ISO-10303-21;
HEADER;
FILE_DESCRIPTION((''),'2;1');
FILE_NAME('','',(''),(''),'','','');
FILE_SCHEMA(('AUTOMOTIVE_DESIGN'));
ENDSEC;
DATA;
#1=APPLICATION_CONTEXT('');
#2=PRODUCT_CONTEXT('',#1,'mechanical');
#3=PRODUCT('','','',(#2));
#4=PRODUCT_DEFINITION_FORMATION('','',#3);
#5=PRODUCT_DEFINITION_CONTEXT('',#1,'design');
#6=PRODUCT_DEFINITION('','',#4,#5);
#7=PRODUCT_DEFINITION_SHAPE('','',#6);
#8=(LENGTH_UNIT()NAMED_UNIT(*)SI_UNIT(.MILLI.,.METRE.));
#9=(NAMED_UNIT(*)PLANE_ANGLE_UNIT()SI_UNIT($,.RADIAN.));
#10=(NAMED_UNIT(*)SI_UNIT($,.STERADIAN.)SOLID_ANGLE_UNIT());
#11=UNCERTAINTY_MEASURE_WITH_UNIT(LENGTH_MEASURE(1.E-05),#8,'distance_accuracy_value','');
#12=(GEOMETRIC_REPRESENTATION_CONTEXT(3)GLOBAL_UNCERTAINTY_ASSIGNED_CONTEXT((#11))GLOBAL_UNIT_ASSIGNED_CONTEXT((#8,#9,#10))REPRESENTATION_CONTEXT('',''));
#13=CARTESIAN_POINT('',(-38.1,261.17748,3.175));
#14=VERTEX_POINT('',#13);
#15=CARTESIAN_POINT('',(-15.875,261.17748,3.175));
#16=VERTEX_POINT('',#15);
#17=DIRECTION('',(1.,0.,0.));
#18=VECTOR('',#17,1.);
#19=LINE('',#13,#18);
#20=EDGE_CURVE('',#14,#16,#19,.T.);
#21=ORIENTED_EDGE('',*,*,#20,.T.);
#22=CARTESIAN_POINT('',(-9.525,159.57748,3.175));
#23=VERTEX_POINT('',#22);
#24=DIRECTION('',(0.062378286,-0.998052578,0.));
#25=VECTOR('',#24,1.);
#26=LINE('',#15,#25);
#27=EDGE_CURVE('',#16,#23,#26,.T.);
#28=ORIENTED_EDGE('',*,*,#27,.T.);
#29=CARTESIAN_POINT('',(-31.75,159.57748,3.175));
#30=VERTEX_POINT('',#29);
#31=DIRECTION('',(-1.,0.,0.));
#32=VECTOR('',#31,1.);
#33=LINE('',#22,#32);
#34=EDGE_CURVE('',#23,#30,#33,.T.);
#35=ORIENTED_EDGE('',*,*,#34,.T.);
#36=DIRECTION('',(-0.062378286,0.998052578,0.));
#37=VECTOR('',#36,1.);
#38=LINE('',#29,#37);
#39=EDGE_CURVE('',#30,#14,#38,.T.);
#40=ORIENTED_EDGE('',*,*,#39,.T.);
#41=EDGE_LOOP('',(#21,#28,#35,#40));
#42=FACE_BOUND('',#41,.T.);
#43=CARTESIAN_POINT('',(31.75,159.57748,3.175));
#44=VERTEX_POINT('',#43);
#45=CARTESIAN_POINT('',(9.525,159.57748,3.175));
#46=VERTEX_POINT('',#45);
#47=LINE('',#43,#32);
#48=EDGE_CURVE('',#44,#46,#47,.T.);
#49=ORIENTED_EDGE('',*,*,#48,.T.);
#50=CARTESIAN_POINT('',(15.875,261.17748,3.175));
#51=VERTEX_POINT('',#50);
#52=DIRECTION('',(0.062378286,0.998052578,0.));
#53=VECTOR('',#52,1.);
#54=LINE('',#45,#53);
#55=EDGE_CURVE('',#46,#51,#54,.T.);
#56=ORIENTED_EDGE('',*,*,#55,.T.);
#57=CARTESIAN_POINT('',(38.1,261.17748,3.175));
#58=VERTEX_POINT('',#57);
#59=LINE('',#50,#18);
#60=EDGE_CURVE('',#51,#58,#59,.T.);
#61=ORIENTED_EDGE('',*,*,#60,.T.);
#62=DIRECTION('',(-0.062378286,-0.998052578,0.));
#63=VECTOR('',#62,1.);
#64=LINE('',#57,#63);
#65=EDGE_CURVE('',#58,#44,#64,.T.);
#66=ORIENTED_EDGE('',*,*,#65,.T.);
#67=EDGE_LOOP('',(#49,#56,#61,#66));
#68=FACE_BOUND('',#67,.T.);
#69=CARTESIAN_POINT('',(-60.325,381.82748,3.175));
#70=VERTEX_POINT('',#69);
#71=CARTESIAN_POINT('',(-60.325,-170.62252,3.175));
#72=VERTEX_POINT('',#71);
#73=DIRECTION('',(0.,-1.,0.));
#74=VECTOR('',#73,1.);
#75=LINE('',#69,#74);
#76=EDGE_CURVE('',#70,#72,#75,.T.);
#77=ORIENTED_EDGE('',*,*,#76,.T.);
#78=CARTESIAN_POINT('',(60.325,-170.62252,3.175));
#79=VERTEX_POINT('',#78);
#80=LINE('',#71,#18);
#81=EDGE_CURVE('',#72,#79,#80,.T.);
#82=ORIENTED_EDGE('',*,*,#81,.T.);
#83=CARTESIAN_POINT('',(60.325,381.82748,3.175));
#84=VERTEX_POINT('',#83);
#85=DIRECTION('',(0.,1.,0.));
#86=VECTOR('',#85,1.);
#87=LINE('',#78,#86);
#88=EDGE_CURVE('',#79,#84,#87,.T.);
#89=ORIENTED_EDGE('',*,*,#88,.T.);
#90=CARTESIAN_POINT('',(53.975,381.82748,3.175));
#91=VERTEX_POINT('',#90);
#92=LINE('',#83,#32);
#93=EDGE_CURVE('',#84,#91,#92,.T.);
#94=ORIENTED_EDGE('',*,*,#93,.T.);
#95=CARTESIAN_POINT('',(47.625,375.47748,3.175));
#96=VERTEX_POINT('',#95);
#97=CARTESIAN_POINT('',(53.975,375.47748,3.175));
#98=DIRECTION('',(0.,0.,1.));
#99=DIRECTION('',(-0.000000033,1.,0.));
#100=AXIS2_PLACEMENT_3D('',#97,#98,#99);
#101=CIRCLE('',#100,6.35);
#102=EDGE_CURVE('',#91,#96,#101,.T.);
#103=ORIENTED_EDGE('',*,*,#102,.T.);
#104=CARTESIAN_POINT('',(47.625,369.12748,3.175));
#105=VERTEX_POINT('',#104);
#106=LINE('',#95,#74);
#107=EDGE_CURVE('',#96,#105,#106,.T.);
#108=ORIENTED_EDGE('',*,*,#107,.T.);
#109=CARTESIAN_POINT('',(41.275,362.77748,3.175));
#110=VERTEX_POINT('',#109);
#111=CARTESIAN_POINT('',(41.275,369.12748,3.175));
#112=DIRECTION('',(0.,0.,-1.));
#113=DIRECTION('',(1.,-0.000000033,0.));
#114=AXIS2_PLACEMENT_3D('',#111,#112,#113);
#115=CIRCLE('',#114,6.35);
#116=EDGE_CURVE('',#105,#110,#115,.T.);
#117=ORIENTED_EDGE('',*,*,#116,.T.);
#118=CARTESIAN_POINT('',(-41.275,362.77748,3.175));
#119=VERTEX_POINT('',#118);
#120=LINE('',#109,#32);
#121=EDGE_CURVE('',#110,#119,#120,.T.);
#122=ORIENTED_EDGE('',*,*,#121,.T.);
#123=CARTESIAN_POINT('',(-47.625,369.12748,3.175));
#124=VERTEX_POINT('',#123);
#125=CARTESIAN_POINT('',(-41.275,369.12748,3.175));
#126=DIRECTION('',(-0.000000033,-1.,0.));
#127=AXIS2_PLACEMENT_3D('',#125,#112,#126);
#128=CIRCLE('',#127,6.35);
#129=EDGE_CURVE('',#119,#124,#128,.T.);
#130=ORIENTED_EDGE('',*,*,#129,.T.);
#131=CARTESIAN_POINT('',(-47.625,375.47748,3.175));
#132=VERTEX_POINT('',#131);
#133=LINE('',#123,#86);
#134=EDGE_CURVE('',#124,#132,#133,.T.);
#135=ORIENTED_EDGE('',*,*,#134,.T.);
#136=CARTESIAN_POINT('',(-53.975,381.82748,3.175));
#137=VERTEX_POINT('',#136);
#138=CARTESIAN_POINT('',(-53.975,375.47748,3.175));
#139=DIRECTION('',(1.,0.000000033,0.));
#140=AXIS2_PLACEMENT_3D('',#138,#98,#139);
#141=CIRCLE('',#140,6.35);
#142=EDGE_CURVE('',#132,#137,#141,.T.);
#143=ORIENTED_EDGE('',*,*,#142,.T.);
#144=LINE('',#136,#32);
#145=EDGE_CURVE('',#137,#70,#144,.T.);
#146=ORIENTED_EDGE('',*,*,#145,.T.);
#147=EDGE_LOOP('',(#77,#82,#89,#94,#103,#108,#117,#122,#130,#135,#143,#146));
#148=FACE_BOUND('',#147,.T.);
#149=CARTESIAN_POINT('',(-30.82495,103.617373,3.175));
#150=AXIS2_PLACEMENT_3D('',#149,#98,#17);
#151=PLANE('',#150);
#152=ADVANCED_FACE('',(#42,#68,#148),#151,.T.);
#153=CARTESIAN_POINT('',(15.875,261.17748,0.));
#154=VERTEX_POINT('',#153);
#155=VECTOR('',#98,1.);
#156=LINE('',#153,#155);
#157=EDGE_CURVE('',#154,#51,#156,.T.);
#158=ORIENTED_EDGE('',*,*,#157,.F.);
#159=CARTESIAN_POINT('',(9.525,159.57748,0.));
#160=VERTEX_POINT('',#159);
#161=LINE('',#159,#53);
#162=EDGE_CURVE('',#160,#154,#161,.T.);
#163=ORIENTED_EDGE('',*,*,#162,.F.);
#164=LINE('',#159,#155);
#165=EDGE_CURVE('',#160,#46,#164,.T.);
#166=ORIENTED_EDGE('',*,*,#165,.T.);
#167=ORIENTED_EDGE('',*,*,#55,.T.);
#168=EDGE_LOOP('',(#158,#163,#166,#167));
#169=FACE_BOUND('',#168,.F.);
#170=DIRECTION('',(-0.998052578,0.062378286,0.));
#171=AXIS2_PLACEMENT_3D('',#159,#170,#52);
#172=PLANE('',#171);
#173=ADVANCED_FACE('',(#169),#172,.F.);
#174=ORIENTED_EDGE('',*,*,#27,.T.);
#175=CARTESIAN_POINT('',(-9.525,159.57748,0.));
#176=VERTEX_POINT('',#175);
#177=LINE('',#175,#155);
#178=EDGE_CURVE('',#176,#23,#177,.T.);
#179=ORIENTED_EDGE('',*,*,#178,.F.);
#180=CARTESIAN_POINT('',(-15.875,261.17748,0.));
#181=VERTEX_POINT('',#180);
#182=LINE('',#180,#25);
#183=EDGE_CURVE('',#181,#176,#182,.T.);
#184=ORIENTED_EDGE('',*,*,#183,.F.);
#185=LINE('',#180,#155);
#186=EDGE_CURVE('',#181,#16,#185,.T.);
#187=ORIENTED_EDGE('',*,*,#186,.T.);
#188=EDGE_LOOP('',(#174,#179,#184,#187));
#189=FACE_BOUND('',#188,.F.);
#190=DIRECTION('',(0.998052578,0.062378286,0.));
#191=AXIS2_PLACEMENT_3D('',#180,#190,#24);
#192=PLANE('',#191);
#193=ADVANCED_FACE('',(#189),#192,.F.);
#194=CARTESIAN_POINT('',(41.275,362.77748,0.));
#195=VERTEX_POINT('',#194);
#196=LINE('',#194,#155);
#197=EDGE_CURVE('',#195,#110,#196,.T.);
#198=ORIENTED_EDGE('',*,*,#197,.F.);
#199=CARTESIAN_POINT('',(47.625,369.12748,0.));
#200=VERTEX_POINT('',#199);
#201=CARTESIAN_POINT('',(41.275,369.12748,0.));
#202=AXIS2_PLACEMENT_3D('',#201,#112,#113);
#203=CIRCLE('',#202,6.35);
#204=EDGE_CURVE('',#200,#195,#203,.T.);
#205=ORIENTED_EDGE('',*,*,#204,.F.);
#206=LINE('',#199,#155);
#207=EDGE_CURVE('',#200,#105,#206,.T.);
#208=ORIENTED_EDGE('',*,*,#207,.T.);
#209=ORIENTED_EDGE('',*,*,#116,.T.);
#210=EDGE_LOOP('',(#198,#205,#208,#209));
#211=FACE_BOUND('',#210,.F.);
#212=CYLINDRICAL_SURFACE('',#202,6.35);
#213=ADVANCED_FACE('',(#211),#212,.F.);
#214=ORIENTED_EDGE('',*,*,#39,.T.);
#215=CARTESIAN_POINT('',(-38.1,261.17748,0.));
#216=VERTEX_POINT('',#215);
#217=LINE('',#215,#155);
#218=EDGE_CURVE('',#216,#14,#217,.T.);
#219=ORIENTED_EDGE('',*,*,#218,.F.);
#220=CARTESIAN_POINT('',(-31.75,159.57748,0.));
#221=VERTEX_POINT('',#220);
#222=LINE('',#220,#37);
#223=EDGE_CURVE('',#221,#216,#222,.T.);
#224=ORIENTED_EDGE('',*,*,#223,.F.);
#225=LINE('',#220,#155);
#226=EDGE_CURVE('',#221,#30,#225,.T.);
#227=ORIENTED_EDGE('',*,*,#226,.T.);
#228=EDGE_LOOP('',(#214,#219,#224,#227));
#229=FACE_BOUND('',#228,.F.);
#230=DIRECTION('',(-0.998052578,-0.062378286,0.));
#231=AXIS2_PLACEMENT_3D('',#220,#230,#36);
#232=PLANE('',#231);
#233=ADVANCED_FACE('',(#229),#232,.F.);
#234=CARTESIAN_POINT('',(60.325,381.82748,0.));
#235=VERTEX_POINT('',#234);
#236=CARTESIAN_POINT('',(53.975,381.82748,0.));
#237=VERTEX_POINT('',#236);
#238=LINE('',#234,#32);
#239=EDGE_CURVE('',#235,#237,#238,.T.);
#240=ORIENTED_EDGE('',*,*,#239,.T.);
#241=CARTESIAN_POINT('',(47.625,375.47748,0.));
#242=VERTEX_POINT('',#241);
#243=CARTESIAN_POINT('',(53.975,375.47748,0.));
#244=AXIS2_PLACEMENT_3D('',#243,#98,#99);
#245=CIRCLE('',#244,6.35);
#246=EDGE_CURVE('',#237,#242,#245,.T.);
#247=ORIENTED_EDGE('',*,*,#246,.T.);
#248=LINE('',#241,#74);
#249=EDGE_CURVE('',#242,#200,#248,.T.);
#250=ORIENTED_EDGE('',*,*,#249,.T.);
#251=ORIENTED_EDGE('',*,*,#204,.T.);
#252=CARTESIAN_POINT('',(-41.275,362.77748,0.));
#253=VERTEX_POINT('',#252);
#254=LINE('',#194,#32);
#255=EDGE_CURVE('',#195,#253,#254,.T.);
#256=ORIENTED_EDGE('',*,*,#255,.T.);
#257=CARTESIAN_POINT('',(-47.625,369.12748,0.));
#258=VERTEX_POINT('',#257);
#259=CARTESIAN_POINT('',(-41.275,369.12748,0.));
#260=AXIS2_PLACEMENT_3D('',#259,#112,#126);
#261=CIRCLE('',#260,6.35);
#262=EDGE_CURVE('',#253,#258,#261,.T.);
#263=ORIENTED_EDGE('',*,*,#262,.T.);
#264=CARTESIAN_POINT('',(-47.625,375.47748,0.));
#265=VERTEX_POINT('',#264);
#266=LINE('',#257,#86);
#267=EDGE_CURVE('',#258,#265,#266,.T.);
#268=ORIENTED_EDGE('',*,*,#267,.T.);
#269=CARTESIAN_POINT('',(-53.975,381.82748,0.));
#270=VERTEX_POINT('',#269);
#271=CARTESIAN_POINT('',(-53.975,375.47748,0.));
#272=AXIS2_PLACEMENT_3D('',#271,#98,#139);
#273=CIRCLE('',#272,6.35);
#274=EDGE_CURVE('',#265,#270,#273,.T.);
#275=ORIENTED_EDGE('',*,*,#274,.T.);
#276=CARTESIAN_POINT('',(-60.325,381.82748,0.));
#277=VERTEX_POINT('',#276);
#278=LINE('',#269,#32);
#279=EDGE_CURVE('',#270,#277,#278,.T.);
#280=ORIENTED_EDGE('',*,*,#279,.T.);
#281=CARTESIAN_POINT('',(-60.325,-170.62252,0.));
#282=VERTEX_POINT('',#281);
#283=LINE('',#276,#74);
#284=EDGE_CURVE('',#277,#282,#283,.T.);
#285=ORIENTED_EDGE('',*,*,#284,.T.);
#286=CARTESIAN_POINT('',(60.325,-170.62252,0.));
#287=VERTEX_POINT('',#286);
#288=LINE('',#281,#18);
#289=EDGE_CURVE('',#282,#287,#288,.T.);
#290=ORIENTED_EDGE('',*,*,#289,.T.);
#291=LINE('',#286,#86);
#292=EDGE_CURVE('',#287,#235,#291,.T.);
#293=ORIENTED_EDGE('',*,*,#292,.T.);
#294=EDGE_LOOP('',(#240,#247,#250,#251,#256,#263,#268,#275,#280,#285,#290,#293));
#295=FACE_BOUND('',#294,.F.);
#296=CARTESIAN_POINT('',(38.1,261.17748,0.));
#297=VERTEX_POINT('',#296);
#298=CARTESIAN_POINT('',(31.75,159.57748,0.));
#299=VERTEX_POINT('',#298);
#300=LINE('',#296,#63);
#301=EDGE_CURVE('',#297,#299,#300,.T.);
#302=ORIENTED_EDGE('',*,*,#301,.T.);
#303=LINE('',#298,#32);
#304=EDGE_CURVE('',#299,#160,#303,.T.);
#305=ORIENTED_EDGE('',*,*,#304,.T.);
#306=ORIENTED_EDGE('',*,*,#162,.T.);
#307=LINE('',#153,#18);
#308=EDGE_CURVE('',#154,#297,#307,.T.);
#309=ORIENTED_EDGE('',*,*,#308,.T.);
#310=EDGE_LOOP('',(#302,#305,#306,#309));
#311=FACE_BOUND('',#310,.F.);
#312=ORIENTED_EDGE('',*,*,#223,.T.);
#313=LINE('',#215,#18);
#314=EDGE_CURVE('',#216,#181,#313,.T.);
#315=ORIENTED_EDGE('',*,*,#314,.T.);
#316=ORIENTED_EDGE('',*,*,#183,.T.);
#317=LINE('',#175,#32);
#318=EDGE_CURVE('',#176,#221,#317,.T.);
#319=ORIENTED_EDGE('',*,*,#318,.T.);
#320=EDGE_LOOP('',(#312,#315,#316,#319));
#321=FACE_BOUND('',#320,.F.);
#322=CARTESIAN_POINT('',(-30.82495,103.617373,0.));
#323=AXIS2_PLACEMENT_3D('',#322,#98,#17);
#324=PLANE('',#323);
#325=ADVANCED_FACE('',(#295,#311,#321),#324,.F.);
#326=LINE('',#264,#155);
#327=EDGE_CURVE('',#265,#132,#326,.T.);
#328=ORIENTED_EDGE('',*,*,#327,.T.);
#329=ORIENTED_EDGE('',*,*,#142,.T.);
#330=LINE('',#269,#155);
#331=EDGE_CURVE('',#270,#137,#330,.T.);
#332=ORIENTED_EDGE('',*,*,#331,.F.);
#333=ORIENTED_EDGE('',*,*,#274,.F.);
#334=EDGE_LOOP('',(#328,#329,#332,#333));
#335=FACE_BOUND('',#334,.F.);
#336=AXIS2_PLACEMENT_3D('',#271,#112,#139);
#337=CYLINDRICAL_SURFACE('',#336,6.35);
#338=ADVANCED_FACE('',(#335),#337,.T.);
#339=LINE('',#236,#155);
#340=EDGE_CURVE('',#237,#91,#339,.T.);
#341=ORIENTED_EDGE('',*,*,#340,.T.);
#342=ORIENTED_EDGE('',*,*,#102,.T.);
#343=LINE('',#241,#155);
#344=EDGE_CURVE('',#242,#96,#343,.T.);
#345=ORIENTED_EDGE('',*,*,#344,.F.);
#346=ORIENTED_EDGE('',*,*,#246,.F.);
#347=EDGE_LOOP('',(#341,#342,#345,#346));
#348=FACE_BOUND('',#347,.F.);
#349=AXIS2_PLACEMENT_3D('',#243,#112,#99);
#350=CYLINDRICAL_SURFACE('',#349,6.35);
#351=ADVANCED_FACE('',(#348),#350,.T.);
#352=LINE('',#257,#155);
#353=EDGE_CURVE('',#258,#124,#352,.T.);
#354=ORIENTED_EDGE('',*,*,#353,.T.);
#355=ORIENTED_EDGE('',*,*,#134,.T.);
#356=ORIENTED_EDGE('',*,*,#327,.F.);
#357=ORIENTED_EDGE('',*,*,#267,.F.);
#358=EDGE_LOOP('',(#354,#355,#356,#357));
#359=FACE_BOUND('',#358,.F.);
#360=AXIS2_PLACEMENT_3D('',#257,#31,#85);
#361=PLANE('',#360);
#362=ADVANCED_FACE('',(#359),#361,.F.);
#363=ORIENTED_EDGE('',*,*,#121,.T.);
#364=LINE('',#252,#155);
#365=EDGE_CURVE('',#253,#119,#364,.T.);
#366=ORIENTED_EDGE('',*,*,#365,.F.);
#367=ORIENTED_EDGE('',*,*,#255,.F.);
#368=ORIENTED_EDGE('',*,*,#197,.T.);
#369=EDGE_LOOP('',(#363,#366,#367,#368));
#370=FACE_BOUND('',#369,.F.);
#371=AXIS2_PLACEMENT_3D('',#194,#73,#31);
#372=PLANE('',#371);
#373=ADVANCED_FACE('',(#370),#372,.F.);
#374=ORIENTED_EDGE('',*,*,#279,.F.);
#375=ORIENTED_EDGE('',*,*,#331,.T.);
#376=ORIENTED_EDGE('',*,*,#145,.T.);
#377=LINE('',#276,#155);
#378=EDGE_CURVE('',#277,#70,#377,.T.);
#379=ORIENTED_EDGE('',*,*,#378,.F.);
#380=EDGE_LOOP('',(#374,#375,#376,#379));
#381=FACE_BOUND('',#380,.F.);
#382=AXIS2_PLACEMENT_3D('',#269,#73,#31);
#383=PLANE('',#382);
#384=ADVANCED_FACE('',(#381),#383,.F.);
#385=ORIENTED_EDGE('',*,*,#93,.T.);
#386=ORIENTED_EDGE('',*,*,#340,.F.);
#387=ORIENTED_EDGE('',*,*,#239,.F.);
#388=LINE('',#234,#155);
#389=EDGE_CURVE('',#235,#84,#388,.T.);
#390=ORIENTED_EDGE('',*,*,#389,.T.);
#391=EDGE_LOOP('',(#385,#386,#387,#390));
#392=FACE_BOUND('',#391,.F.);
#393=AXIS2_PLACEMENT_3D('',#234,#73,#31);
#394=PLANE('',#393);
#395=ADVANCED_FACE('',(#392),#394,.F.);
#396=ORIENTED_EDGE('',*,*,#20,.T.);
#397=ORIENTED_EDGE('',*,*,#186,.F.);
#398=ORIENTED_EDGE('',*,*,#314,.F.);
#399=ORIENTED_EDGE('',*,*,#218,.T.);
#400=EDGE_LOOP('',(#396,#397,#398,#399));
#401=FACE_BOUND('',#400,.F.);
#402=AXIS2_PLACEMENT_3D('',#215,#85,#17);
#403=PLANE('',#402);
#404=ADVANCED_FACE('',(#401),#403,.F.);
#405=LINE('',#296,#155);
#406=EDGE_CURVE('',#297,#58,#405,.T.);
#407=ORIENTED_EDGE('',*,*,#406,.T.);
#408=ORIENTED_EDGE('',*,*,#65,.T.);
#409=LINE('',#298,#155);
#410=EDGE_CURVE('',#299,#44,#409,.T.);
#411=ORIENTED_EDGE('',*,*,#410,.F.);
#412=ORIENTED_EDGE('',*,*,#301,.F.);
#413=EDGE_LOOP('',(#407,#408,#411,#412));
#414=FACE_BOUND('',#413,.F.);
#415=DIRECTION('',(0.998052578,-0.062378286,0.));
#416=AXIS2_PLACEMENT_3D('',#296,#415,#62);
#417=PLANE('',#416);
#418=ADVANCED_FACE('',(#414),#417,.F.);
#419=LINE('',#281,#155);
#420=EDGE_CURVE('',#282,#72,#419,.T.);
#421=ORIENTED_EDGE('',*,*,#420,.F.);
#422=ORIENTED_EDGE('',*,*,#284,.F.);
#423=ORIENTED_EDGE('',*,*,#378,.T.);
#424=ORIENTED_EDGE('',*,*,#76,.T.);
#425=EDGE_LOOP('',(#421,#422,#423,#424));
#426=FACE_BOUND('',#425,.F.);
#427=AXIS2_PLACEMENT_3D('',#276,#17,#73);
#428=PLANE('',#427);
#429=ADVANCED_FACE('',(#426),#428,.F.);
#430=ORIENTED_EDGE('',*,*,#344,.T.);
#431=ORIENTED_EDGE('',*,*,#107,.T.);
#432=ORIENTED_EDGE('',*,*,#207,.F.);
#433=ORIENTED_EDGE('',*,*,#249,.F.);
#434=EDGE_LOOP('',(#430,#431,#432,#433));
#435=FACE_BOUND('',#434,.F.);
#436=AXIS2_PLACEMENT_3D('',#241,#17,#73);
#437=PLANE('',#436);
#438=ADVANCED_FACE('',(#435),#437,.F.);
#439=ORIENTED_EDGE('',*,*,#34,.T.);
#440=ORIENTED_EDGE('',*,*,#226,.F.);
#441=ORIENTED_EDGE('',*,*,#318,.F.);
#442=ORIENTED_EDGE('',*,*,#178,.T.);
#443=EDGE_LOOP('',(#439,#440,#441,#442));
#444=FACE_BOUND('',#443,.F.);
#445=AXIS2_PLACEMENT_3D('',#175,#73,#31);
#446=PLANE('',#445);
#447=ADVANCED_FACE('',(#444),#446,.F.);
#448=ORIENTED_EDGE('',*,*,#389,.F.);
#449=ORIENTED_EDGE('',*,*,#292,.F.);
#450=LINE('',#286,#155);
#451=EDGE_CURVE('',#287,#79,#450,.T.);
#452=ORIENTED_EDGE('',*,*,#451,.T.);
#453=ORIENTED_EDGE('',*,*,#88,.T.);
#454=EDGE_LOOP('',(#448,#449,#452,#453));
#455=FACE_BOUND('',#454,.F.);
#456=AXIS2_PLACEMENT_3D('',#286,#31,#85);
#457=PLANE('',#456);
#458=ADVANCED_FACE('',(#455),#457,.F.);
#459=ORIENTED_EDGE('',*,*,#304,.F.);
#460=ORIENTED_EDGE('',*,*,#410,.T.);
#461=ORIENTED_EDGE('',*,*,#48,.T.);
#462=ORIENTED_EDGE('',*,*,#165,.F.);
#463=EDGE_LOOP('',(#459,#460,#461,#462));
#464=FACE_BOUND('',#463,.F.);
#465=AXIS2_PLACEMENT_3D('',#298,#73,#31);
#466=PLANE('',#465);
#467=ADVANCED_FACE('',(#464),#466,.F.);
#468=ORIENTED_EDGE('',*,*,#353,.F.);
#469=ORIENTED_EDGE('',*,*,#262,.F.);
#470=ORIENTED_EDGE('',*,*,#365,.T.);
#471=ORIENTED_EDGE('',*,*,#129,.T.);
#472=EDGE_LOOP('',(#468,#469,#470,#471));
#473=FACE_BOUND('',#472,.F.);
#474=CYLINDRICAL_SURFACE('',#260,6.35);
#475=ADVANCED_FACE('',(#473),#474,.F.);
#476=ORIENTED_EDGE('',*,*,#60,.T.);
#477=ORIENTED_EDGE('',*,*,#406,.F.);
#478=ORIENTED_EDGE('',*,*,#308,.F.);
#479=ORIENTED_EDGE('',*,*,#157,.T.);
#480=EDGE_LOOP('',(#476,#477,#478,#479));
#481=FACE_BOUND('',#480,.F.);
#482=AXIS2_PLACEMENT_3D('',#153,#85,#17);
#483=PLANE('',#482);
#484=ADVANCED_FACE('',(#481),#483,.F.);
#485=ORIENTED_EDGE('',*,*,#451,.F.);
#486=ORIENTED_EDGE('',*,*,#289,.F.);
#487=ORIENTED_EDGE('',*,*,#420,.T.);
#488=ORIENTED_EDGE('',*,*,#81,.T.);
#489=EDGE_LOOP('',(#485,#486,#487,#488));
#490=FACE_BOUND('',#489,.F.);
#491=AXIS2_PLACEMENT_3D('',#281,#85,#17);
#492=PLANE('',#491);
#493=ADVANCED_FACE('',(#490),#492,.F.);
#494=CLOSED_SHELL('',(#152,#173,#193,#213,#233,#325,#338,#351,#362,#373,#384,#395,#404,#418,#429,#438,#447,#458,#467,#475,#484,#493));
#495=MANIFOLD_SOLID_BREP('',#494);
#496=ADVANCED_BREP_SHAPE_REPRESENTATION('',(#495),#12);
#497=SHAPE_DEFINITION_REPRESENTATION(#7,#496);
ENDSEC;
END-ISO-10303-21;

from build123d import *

# Parameters (mm, degrees)
F1_DEPTH = 3.175


with BuildPart() as f1:
    # F0 (on Top) → F1 (new body)
    with BuildSketch(Plane.XY):
        with BuildLine():
            Line((-60.325, -170.62252), (0, -170.62252))
            Line((0, -170.62252), (0, 362.77748))
            Line((0, 362.77748), (-41.275, 362.77748))
            ThreePointArc((-41.275, 362.77748), (-45.765128, 364.637352), (-47.625, 369.12748))
            Line((-47.625, 369.12748), (-47.625, 375.47748))
            ThreePointArc((-47.625, 375.47748), (-49.484872, 379.967608), (-53.975, 381.82748))
            Line((-53.975, 381.82748), (-60.325, 381.82748))
            Line((-60.325, 381.82748), (-60.325, -170.62252))
        make_face()
        Polygon((-15.875, 261.17748), (-9.525, 159.57748), (-31.75, 159.57748), (-38.1, 261.17748), align=None, mode=Mode.SUBTRACT)
        with BuildLine():
            Line((0, 362.77748), (0, -170.62252))
            Line((0, -170.62252), (60.325, -170.62252))
            Line((60.325, -170.62252), (60.325, 381.82748))
            Line((60.325, 381.82748), (53.975, 381.82748))
            ThreePointArc((53.975, 381.82748), (49.484872, 379.967608), (47.625, 375.47748))
            Line((47.625, 375.47748), (47.625, 369.12748))
            ThreePointArc((47.625, 369.12748), (45.765128, 364.637352), (41.275, 362.77748))
            Line((41.275, 362.77748), (0, 362.77748))
        make_face()
        Polygon((31.75, 159.57748), (9.525, 159.57748), (15.875, 261.17748), (38.1, 261.17748), align=None, mode=Mode.SUBTRACT)
    extrude(amount=F1_DEPTH)


solid = f1.part
